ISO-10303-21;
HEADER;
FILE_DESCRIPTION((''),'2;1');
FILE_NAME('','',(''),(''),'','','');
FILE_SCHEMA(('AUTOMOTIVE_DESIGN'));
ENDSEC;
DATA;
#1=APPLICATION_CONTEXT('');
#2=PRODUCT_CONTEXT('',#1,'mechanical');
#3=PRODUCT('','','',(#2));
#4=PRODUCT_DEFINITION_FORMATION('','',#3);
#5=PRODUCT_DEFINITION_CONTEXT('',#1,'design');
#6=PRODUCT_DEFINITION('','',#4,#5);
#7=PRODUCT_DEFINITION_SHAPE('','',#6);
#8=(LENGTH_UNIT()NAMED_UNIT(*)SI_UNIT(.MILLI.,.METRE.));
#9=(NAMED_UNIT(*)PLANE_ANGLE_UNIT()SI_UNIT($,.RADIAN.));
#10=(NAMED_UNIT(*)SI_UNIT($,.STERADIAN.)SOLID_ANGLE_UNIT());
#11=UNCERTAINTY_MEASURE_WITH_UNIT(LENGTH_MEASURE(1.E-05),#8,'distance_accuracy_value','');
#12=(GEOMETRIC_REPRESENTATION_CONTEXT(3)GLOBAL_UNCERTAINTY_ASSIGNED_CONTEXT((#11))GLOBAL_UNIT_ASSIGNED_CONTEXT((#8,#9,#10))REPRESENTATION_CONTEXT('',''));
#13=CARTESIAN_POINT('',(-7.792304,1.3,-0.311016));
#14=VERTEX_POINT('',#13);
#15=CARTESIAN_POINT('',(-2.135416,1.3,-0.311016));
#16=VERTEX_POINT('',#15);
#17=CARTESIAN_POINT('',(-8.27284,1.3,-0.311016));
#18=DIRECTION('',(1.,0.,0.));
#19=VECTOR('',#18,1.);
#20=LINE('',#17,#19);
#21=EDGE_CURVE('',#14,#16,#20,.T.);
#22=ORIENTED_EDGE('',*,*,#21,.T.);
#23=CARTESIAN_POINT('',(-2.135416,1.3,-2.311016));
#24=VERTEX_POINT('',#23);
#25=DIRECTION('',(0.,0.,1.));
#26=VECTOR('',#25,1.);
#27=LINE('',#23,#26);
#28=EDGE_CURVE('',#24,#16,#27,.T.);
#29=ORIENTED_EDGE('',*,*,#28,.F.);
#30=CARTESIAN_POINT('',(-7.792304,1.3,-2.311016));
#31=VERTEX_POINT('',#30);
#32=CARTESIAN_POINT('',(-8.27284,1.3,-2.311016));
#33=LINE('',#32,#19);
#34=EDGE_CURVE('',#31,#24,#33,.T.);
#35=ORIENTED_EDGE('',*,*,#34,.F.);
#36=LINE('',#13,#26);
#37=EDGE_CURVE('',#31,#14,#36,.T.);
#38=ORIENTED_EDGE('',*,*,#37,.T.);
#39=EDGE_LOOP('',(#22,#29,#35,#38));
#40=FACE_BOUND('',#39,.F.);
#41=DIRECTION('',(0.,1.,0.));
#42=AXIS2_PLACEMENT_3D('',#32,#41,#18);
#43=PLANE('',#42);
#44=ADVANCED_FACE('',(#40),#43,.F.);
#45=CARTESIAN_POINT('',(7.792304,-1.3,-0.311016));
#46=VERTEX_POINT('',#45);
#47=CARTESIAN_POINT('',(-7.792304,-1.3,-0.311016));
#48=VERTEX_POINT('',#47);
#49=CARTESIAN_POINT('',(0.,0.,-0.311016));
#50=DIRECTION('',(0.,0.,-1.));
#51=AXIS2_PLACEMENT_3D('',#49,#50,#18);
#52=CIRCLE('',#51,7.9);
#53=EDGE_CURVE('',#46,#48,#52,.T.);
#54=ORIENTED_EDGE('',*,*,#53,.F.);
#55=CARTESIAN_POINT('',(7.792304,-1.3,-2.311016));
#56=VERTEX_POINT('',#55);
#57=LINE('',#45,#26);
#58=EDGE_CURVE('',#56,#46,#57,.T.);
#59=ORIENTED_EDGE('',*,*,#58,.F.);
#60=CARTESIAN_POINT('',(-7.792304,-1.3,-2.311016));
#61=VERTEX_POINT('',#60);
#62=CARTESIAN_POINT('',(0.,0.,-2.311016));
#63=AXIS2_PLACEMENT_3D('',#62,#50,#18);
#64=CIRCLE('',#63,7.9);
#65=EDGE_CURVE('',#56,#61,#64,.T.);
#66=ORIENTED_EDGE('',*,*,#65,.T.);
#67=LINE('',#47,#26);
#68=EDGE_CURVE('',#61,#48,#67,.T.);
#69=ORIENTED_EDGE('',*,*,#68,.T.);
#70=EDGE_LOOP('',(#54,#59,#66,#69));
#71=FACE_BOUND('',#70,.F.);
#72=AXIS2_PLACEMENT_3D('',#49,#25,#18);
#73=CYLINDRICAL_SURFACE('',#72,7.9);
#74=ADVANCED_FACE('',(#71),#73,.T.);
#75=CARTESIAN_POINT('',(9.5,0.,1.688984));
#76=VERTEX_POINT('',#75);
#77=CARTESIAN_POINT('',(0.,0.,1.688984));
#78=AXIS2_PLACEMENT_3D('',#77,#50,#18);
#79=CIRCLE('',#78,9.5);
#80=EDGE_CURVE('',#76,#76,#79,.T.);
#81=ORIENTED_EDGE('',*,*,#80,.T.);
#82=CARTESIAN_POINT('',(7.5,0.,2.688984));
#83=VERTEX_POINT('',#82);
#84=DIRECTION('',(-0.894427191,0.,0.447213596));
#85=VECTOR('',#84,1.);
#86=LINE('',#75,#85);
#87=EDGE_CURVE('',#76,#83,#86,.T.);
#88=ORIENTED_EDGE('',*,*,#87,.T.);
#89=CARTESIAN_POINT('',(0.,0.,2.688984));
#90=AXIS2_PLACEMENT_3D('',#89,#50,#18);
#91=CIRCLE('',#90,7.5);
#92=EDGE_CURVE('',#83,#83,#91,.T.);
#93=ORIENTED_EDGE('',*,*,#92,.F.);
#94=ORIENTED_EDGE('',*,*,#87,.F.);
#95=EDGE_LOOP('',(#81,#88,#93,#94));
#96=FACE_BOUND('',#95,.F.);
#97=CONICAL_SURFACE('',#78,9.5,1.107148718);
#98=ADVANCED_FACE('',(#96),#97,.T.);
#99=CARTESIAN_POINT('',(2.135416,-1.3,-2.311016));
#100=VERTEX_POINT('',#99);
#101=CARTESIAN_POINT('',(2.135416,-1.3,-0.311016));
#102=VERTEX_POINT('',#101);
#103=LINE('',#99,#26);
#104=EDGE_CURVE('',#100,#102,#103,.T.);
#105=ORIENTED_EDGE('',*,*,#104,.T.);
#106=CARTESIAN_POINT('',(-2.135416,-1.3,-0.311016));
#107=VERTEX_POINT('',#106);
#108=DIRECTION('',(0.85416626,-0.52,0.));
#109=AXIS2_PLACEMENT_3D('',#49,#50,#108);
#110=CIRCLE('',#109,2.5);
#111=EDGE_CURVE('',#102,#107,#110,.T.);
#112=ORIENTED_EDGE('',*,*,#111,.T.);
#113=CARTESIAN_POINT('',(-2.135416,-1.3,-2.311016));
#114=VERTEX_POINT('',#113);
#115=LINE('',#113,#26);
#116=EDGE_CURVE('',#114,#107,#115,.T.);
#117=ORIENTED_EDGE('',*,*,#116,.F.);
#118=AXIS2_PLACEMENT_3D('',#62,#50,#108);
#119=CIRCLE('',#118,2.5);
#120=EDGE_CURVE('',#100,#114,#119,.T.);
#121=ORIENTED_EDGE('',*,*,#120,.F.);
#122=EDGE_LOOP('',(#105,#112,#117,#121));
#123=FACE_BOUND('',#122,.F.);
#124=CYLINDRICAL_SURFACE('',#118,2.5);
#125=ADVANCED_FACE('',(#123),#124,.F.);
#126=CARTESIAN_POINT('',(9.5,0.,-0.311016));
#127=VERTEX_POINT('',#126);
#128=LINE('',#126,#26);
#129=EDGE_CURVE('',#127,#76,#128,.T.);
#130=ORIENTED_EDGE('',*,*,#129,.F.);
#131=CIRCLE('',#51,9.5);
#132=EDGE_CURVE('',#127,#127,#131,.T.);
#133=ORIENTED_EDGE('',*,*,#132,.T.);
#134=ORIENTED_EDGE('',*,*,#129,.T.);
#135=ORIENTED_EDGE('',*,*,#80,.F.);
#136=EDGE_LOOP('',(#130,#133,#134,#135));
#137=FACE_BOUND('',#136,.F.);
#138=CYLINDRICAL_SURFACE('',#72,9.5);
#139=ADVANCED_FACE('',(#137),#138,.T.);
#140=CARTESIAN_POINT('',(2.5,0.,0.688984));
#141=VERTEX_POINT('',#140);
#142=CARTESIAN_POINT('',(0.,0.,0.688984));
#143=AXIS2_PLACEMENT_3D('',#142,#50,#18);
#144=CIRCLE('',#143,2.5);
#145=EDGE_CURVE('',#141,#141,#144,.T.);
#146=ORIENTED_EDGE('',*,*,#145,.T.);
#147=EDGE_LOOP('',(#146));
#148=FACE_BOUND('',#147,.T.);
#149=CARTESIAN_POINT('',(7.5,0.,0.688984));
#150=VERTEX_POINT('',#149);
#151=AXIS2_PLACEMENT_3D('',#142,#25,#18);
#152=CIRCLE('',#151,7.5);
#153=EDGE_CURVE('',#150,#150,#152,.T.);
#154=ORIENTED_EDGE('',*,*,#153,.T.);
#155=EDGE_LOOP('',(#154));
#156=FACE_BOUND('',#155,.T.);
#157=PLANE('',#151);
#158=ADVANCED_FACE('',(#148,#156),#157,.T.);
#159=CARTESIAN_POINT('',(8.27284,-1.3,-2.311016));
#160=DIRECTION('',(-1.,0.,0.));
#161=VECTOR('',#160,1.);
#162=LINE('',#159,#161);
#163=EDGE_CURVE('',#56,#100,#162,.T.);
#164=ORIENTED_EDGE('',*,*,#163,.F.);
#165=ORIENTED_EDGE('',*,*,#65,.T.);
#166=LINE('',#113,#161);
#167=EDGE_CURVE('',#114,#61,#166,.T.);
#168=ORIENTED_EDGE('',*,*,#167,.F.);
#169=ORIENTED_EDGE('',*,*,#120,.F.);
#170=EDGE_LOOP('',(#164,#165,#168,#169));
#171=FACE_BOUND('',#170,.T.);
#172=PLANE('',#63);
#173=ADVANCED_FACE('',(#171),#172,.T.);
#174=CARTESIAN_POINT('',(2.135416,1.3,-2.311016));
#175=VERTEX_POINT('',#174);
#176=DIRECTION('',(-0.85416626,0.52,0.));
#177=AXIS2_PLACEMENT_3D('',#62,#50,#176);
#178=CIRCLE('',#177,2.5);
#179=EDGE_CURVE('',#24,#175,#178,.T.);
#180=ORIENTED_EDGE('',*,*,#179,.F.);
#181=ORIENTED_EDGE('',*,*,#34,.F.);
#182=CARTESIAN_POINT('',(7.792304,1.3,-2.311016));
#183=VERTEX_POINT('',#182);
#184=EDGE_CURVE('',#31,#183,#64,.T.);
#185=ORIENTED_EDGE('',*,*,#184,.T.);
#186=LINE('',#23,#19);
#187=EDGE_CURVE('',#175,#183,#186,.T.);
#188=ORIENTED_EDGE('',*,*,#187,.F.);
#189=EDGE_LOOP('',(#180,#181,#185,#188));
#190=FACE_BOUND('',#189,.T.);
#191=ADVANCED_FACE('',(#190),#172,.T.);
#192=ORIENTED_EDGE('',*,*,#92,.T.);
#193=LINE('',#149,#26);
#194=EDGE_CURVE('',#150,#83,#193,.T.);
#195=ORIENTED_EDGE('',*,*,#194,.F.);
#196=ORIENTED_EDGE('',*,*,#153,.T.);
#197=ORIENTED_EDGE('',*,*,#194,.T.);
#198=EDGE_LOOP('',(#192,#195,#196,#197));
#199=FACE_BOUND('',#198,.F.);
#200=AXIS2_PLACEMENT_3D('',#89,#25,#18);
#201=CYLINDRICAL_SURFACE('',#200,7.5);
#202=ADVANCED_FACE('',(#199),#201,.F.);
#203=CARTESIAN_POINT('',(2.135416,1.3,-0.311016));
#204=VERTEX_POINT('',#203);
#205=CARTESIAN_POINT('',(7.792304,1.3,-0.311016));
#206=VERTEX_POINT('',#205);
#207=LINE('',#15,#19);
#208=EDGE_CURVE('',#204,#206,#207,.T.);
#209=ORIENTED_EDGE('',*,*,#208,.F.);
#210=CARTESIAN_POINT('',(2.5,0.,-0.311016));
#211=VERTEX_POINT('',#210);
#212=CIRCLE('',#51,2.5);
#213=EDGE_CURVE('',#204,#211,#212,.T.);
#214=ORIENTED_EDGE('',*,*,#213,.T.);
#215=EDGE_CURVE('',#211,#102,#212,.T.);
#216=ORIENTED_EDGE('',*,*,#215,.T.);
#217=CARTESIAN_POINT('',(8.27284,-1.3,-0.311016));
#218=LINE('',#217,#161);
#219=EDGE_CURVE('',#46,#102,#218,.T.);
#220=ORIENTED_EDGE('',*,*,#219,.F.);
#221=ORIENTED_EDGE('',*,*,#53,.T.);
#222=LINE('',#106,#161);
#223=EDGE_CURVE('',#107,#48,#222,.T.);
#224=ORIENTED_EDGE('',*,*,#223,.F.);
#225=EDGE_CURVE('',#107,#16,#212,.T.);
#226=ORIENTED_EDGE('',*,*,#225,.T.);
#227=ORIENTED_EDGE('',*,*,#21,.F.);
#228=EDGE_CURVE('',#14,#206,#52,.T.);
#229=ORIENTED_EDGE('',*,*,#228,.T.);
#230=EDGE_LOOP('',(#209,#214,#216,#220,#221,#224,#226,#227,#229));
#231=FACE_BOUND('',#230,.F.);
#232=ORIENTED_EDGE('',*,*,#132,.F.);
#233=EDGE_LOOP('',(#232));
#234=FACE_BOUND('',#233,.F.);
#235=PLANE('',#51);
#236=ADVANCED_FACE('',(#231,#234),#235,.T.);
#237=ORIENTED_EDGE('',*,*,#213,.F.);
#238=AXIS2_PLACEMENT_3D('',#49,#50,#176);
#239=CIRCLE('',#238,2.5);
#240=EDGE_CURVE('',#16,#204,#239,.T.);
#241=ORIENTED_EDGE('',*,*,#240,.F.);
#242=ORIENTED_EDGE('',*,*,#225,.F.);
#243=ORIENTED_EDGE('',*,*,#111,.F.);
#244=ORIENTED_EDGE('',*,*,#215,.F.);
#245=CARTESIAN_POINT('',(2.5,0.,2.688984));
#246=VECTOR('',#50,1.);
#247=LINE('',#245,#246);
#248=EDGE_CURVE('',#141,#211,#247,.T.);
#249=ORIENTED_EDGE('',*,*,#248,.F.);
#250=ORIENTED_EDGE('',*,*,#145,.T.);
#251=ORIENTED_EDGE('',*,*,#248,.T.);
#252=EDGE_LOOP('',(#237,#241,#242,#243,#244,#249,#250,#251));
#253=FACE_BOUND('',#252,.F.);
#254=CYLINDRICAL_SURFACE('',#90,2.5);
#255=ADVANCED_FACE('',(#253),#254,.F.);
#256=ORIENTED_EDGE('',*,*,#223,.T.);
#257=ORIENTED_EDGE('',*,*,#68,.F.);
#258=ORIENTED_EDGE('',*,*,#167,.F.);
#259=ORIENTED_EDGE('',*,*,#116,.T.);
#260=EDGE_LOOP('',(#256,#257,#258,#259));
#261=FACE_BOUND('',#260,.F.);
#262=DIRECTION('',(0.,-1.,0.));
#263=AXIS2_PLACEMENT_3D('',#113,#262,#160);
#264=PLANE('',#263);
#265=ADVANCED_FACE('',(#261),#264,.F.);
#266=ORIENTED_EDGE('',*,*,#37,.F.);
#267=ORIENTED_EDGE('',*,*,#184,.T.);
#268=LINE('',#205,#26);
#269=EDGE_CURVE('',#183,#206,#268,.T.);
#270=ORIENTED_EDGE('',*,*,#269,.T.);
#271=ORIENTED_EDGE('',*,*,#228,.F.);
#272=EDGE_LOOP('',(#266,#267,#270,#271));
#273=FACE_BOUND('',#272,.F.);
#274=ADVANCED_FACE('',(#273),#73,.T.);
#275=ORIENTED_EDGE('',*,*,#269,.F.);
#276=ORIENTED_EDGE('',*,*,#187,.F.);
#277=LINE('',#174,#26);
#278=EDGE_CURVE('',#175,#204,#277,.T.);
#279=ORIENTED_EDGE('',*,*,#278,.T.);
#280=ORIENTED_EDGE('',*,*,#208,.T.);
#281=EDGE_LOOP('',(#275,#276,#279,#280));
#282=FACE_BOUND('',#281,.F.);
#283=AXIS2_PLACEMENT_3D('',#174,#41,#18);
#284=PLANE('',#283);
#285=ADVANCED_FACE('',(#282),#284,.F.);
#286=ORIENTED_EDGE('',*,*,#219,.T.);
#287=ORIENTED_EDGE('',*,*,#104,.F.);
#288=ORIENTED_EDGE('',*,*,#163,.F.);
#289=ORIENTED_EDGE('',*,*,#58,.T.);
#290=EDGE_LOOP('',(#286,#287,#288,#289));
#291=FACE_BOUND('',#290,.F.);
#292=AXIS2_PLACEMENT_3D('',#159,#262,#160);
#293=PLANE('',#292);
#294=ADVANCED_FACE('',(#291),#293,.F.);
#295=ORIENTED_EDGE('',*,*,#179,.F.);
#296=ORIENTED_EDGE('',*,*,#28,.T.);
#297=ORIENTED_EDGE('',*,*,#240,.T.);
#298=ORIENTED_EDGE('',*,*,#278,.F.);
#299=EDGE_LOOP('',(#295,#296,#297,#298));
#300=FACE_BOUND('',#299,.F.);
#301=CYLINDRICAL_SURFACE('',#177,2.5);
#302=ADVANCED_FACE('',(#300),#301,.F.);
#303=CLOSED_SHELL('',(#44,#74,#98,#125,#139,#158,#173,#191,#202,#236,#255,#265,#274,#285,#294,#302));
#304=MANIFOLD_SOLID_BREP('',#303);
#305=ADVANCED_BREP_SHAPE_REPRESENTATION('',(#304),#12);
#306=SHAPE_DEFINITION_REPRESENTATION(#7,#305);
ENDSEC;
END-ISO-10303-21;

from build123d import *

# Parameters (mm, degrees)
F2_R     = 7.9
F3_DEPTH = 2
F5_DEPTH = 2
F6_R     = 7.5
F7_DEPTH = 2
F8_DEPTH = 1


with BuildPart() as f1:
    # F0 (on Front) → F1 (revolve)
    with BuildSketch(Plane.XZ):
        Polygon((2.5, 2.6889840401), (2.5, -0.3110159599), (9.5, -0.3110159599), (9.5, 1.6889840401), (7.5, 2.6889840401), align=None)
    revolve(axis=Axis((0, 0, 1.1889840401), (0, 0, -1)))

    # F2 (on face) → F3 (join)
    with BuildSketch(Plane(origin=(0, 0, -0.3110159599), x_dir=(1, 0, 0), z_dir=(0, 0, -1))):
        Circle(F2_R)
    extrude(amount=F3_DEPTH)

    # F4 (on face) → F5 (cut)
    with BuildSketch(Plane(origin=(0, 0, -2.3110159599), x_dir=(1, 0, 0), z_dir=(0, 0, -1))):
        with BuildLine():
            ThreePointArc((2.1354156504, -1.3), (2.4071289045, -0.675078097), (2.5, 0))
            ThreePointArc((2.5, 0), (2.4071289045, 0.675078097), (2.1354156504, 1.3))
            Line((2.1354156504, 1.3), (-2.1354156504, 1.3))
            ThreePointArc((-2.1354156504, 1.3), (-2.5, 0), (-2.1354156504, -1.3))
            Line((-2.1354156504, -1.3), (2.1354156504, -1.3))
        make_face()
        with BuildLine():
            ThreePointArc((2.1354156504, 1.3), (2.4071289045, 0.675078097), (2.5, 0))
            ThreePointArc((2.5, 0), (2.4071289045, -0.675078097), (2.1354156504, -1.3))
            Line((2.1354156504, -1.3), (8.2728397101, -1.3))
            Line((8.2728397101, -1.3), (8.2728397101, 1.3))
            Line((8.2728397101, 1.3), (2.1354156504, 1.3))
        make_face()
        with BuildLine():
            Line((-2.1354156504, 1.3), (2.1354156504, 1.3))
            ThreePointArc((2.1354156504, 1.3), (0, 2.5), (-2.1354156504, 1.3))
        make_face()
        with BuildLine():
            ThreePointArc((-2.1354156504, -1.3), (0, -2.5), (2.1354156504, -1.3))
            Line((2.1354156504, -1.3), (-2.1354156504, -1.3))
        make_face()
        with BuildLine():
            ThreePointArc((-2.1354156504, -1.3), (-2.5, 0), (-2.1354156504, 1.3))
            Line((-2.1354156504, 1.3), (-8.2728397101, 1.3))
            Line((-8.2728397101, 1.3), (-8.2728397101, -1.3))
            Line((-8.2728397101, -1.3), (-2.1354156504, -1.3))
        make_face()
    extrude(amount=-F5_DEPTH, mode=Mode.SUBTRACT)

    # F6 (on face) → F7 (cut)
    with BuildSketch(Plane.XY.offset(2.6889840401)):
        Circle(F6_R)
    extrude(amount=-F7_DEPTH, mode=Mode.SUBTRACT)

    # F6 (on face) → F8 (cut)
    with BuildSketch(Plane.XY.offset(2.6889840401)):
        Circle(F6_R)
    extrude(amount=-F8_DEPTH, mode=Mode.SUBTRACT)


solid = f1.part
